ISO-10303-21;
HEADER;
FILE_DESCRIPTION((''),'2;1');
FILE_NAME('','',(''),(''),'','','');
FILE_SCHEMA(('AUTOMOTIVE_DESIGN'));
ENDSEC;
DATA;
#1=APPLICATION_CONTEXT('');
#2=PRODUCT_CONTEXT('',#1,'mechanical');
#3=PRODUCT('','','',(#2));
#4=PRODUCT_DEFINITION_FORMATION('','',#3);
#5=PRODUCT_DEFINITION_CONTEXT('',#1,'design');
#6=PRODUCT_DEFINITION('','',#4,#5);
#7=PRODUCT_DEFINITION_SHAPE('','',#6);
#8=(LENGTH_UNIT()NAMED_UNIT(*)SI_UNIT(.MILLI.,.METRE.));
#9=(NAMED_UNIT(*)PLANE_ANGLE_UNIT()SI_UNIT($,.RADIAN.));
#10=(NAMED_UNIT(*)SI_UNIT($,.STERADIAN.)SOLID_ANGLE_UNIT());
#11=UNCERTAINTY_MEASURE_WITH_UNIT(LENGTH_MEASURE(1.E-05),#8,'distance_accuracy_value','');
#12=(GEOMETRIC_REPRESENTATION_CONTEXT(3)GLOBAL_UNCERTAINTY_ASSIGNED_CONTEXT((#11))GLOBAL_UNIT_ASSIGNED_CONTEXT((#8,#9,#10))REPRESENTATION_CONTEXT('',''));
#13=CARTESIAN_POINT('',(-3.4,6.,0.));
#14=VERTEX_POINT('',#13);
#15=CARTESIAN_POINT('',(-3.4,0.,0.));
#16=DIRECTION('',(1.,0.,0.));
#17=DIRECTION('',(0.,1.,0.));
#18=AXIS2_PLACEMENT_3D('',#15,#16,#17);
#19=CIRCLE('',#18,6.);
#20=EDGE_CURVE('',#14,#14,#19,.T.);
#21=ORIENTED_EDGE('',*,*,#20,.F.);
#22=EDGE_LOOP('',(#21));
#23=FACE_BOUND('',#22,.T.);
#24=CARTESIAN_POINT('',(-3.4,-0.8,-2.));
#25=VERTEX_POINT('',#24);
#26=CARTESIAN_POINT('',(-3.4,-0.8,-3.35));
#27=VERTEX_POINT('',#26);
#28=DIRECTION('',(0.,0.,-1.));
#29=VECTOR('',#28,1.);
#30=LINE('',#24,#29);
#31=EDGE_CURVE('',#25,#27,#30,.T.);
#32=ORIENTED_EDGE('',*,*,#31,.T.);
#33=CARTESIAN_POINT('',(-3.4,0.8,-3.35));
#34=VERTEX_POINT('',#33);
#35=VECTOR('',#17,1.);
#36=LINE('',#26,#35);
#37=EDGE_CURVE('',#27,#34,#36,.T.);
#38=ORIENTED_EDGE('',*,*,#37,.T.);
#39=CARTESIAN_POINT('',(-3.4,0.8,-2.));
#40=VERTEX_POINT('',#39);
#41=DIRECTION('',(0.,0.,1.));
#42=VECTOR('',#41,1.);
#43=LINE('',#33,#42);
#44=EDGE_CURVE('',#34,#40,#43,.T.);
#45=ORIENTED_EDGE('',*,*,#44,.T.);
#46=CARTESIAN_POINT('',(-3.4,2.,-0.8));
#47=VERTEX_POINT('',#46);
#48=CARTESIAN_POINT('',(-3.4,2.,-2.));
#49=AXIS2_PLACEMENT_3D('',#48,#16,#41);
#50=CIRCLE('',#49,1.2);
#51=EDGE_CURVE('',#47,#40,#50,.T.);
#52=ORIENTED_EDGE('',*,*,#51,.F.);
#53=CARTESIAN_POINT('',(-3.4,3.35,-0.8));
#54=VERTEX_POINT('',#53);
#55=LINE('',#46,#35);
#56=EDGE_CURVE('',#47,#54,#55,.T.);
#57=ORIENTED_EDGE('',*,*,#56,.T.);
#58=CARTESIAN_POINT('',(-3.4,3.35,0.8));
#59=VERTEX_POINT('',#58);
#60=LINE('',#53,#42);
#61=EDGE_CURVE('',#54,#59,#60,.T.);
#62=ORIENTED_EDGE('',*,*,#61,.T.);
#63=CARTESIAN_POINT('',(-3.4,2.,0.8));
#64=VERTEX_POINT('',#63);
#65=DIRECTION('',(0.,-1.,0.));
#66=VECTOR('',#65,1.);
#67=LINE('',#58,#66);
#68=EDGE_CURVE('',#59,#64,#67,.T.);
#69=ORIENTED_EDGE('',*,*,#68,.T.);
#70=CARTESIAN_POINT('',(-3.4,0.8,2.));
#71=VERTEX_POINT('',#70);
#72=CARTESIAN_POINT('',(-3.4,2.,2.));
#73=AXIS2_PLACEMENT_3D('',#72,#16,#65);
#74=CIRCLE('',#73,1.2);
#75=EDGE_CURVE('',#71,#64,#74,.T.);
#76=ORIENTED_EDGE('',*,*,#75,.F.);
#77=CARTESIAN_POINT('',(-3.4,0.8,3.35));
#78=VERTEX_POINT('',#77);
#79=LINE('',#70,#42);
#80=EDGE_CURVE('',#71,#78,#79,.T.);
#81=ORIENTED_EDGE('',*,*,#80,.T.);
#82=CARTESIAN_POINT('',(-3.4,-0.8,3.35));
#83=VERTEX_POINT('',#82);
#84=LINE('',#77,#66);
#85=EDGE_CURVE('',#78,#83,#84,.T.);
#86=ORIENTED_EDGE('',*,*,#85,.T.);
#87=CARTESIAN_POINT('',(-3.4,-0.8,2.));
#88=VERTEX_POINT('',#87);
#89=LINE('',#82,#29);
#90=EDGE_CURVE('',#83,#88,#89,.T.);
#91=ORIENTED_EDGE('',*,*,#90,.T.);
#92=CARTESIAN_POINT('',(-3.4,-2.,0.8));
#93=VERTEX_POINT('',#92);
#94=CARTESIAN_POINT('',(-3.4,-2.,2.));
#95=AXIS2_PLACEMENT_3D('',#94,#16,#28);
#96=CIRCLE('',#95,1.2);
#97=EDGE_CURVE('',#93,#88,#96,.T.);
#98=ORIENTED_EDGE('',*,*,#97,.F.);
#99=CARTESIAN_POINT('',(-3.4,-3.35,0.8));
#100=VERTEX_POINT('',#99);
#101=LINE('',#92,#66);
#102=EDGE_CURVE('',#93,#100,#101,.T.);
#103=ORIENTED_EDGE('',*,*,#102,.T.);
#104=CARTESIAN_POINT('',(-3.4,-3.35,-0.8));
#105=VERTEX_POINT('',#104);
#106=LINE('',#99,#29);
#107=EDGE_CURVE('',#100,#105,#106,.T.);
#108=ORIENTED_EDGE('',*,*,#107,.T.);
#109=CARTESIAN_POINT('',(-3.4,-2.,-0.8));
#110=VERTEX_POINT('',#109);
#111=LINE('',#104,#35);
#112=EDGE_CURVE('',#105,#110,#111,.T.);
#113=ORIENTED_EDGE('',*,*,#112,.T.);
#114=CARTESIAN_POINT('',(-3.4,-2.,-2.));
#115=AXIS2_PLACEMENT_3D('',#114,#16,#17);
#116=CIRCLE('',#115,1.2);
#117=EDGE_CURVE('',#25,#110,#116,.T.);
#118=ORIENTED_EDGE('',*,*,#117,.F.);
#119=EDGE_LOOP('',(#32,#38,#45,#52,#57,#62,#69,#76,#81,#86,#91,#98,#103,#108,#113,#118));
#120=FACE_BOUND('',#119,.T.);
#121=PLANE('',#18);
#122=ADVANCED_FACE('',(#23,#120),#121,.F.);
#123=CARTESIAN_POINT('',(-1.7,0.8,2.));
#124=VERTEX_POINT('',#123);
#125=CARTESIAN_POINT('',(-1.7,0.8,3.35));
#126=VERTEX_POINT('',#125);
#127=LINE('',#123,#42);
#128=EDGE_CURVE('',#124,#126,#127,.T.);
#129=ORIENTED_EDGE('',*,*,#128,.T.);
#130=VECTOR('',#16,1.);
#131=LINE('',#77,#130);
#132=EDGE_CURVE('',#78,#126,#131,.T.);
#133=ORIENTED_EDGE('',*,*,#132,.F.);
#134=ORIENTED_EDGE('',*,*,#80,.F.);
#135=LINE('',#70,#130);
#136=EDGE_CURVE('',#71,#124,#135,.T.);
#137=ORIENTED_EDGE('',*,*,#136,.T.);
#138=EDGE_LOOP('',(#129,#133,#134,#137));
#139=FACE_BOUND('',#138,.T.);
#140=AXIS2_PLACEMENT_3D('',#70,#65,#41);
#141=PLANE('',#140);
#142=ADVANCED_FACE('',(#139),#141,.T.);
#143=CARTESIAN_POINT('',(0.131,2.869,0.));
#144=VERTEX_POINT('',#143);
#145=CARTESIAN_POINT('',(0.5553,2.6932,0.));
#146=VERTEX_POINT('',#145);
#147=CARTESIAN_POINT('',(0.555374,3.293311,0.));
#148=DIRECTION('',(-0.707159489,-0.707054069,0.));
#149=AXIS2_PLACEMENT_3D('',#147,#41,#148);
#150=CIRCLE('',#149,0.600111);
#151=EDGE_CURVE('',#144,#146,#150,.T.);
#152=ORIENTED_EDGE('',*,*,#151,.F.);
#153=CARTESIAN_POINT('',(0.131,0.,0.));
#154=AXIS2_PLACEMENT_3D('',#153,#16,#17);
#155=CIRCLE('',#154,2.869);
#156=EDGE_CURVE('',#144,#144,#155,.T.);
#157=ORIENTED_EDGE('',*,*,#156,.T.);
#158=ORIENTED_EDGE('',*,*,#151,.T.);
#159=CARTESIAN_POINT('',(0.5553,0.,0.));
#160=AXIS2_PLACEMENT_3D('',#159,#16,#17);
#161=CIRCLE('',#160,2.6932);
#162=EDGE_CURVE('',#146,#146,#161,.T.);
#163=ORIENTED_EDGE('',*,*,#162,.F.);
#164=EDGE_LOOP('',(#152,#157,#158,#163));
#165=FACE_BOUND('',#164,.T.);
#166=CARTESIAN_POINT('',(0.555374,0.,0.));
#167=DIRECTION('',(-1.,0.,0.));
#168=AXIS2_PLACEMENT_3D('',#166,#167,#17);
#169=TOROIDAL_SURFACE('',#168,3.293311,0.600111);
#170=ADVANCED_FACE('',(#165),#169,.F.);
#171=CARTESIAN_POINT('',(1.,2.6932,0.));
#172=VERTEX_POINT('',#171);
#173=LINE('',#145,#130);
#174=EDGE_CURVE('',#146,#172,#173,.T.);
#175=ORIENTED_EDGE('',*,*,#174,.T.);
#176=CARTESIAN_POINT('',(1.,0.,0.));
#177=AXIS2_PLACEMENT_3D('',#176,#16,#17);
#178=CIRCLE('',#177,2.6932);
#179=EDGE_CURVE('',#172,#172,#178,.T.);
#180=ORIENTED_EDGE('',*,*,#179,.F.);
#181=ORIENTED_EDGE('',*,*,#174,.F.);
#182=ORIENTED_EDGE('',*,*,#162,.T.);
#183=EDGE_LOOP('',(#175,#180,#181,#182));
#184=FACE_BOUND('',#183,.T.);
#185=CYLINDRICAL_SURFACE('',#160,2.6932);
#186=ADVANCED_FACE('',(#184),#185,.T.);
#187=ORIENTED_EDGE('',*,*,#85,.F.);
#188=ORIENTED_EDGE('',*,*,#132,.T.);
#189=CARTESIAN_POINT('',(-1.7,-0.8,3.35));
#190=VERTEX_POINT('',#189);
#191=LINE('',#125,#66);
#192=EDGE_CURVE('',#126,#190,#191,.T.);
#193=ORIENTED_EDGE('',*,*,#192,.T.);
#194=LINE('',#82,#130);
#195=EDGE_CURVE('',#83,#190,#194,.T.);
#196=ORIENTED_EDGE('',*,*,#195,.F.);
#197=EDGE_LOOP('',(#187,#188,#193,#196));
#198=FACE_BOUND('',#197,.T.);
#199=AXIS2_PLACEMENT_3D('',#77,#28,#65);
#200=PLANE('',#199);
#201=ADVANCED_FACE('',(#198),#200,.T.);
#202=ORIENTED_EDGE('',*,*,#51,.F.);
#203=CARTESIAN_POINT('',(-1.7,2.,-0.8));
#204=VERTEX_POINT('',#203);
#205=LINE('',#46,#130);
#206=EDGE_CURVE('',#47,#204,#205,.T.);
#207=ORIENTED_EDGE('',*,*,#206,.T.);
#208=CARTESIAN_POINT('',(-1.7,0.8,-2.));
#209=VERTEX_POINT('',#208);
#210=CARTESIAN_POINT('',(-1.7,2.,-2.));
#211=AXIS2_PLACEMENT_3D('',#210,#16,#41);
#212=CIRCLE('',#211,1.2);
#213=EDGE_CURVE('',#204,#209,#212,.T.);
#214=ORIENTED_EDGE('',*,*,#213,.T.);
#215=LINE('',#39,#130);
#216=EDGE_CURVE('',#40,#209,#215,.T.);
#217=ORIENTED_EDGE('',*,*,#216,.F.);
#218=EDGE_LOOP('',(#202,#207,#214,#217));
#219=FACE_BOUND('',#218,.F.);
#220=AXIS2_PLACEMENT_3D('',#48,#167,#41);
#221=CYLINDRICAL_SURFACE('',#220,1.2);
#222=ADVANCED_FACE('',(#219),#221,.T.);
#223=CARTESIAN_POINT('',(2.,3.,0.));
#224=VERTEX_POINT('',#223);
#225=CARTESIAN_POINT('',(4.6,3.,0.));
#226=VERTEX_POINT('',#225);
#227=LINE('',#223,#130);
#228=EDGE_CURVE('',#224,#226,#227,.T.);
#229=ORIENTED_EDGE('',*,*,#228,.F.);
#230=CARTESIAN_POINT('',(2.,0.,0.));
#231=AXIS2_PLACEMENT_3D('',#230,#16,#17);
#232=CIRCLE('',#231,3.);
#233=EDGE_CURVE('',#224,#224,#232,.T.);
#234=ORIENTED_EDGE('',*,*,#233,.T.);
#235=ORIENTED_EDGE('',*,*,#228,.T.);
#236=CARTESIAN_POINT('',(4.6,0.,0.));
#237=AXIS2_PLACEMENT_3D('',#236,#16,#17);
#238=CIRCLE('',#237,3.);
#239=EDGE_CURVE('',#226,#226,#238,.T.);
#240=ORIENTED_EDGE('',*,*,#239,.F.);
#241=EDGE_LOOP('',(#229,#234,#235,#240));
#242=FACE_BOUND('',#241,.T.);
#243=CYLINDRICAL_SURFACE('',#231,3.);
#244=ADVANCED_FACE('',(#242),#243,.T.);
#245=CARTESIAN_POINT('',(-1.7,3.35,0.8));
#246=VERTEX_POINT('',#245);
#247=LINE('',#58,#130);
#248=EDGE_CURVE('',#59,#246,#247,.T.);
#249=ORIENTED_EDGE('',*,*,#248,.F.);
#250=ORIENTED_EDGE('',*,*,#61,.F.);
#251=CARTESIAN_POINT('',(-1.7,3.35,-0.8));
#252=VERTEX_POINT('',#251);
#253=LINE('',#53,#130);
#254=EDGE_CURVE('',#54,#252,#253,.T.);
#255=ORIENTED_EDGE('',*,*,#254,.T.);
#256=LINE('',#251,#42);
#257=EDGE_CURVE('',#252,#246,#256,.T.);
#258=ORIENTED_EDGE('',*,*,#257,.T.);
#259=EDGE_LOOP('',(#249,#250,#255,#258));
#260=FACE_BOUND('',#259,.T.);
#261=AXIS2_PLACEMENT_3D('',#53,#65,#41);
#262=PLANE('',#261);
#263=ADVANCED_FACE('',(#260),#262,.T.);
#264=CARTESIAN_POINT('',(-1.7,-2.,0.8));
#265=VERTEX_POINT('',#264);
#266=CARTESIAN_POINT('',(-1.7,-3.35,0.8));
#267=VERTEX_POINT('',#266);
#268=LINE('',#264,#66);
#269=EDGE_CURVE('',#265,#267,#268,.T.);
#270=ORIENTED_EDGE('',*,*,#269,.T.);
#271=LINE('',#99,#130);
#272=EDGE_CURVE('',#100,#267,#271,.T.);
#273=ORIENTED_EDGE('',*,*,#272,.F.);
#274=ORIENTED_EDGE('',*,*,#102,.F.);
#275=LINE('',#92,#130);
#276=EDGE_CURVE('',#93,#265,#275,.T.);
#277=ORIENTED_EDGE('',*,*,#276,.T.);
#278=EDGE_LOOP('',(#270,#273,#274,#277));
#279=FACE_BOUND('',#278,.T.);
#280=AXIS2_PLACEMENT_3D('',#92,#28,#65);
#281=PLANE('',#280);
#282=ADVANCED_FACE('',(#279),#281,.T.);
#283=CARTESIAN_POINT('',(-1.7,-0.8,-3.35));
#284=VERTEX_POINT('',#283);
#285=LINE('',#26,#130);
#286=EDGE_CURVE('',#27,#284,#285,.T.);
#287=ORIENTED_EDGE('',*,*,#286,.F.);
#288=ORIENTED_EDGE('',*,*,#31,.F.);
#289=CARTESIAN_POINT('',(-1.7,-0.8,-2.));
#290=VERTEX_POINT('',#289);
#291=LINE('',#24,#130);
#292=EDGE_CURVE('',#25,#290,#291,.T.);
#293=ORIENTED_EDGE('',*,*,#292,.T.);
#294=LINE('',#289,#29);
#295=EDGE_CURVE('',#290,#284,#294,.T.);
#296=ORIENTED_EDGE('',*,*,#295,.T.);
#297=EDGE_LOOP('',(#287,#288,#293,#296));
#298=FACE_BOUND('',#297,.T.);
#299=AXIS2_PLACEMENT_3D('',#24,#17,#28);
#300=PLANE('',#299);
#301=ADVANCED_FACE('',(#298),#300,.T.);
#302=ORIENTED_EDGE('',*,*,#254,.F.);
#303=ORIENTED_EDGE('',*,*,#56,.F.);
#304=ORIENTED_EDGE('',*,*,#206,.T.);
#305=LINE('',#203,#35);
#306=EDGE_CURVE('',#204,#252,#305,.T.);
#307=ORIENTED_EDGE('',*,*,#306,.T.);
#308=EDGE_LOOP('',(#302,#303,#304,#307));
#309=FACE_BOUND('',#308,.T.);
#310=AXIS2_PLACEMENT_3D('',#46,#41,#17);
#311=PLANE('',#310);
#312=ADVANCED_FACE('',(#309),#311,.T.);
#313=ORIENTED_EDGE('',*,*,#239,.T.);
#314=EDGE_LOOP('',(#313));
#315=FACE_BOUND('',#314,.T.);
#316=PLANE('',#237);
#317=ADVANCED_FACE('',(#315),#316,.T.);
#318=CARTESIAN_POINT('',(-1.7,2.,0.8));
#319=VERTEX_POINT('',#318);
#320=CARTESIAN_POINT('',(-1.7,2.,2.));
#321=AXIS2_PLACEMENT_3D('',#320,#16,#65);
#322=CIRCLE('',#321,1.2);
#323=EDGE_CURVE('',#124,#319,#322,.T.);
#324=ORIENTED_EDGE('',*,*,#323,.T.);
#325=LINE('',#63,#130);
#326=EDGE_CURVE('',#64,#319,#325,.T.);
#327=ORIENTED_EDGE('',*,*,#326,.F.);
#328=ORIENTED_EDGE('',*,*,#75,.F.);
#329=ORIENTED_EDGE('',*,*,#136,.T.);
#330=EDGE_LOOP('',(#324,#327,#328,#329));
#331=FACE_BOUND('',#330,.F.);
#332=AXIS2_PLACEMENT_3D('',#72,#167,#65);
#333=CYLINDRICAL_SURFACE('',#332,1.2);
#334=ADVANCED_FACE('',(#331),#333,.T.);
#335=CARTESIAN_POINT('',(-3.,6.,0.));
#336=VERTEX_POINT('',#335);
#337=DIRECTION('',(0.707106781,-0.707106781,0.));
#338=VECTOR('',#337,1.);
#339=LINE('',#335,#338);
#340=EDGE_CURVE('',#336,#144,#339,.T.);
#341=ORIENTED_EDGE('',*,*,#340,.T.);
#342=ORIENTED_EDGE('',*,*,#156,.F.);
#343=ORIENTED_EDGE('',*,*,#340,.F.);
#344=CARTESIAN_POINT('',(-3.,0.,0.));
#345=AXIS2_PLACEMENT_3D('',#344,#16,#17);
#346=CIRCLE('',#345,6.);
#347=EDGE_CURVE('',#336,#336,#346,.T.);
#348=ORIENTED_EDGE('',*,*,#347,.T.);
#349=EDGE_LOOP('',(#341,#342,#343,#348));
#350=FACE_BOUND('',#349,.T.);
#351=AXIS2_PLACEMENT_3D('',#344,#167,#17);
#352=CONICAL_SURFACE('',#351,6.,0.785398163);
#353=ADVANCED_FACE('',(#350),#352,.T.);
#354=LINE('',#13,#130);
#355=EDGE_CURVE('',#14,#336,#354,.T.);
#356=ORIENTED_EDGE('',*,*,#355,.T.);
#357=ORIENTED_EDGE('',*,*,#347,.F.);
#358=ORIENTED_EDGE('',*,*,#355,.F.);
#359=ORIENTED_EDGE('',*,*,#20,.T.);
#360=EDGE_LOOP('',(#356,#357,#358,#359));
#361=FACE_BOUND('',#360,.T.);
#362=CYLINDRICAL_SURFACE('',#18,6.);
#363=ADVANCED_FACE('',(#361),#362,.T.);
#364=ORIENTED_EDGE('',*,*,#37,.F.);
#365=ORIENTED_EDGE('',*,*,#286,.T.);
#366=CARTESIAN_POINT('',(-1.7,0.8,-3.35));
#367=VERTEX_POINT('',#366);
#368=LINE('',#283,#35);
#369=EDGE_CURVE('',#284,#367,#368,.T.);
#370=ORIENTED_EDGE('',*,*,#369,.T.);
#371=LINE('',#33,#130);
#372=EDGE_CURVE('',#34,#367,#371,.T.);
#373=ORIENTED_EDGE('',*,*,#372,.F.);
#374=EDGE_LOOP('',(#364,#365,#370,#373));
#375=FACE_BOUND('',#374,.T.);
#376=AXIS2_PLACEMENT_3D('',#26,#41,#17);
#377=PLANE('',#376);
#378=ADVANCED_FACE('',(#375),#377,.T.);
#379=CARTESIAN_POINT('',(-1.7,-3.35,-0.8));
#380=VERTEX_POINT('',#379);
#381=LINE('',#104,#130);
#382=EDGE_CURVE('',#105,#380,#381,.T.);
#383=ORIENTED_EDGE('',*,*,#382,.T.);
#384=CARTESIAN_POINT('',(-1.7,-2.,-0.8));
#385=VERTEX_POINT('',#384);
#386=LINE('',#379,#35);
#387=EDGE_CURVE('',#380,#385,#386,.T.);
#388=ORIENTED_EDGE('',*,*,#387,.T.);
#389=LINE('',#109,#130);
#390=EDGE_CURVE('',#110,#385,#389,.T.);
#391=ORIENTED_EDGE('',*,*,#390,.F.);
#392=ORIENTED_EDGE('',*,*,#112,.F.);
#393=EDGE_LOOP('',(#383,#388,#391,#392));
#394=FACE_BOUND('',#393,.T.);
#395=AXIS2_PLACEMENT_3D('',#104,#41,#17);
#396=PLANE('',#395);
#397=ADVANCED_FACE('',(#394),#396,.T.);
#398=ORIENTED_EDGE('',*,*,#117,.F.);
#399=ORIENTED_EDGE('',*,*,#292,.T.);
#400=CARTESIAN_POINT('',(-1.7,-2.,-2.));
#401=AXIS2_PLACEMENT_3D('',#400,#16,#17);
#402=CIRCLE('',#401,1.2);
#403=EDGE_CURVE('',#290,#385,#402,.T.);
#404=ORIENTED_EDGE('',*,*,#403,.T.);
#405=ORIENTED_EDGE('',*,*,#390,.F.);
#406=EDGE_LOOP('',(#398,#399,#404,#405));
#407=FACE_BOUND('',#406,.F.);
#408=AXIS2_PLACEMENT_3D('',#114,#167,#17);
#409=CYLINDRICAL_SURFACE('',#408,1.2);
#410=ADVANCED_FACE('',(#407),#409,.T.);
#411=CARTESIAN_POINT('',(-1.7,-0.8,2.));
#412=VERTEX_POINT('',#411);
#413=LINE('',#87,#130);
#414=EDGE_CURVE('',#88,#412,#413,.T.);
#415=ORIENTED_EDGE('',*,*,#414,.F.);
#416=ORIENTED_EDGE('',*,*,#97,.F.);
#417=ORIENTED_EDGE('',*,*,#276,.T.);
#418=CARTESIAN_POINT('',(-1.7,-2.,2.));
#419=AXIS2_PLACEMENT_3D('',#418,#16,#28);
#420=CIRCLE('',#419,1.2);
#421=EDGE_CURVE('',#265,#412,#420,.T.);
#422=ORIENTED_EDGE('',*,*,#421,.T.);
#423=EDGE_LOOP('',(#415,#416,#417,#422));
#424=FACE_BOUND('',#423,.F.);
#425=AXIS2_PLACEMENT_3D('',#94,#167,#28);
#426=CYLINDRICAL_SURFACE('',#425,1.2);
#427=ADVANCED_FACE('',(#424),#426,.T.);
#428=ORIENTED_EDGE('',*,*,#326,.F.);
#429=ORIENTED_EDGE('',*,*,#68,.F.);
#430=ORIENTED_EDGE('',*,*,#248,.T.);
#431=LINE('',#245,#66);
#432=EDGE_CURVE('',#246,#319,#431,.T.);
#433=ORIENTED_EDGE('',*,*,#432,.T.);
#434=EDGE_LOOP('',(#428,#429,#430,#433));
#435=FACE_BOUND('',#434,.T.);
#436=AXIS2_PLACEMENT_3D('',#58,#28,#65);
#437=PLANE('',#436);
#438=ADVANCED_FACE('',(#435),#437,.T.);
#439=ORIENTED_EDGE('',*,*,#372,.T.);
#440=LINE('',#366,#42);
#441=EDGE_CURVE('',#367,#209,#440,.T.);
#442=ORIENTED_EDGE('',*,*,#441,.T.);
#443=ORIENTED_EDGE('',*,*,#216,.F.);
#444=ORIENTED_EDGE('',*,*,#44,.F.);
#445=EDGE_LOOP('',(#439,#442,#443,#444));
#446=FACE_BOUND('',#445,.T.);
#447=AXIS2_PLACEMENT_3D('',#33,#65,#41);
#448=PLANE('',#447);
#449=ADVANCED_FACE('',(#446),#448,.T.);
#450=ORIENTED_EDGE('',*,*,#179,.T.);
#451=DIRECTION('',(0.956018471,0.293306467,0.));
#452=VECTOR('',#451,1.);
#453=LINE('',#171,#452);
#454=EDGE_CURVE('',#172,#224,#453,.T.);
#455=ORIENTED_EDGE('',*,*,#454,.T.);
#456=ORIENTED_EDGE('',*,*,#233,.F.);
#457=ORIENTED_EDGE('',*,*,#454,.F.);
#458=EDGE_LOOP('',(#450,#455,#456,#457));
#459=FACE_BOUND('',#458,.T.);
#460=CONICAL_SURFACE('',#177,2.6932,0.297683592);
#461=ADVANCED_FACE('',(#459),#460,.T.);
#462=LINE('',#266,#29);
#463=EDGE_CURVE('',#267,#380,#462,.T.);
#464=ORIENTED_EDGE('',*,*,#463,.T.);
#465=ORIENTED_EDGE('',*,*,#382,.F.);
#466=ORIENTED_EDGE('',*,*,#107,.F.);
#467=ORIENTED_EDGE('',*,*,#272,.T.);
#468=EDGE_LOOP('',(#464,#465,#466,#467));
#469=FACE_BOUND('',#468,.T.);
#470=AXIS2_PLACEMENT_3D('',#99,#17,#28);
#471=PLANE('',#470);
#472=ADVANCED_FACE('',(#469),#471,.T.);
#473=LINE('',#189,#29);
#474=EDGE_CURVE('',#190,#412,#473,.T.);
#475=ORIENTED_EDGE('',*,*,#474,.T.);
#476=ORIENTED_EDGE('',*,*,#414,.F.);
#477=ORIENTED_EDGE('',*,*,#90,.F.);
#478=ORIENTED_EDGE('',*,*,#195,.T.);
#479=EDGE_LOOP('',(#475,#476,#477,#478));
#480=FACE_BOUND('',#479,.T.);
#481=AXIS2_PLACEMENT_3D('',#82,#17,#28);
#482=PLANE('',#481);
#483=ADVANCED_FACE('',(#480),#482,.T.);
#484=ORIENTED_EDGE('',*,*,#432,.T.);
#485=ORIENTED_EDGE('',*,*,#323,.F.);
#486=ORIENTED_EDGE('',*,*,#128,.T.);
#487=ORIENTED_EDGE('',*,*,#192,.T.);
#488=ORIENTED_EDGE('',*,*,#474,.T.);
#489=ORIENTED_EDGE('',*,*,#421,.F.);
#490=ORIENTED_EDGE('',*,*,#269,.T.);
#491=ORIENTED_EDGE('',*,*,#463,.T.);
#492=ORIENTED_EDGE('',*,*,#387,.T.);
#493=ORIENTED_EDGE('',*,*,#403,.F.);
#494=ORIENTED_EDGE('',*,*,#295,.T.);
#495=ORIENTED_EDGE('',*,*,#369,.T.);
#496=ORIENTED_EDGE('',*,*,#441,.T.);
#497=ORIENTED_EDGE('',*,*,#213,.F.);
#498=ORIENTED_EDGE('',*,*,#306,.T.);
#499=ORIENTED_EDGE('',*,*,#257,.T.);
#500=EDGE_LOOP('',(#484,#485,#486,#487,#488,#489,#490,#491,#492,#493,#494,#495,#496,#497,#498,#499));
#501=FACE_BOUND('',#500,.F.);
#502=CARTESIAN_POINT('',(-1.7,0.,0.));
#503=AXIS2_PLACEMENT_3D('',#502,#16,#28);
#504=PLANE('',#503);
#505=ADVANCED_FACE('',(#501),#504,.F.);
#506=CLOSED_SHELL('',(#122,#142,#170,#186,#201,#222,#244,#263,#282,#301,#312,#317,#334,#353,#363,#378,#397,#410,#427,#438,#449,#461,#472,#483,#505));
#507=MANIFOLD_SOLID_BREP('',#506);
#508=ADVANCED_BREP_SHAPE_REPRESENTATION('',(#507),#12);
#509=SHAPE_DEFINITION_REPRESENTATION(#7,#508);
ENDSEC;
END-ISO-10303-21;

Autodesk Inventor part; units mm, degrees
sketch "Sketch_1" plane through (0, 0, 0) normal (0, 0, 1) x (1, 0, 0)
  line L0 (4.6, 0) -> (-3.4, 0)
  line L1 (-3.4, 0) -> (-3.4, 6)
  line L2 (-3.4, 6) -> (-3, 6)
  line L3 (-3, 6) -> (0.131, 2.869)
  arc A0 (0.131, 2.869) -> (0.5553, 2.6932) centre (0.5553, 3.2932) ccw
  line L4 (0.5553, 2.6932) -> (1, 2.6932)
  line L5 (1, 2.6932) -> (2, 3)
  line L6 (2, 3) -> (4.6, 3)
  line L7 (4.6, 3) -> (4.6, 0)
  line L8 (4.6, 0) -> (-3.4, 0)
revolve "Revolution1" add sketch "Sketch_1" angle 360 about axis through (4.6, 0, 0) along (1, 0, 0)
thread "Thread1" size "M6x1" class "6g" standard "ISO Metric profile" full length
sketch "Sketch_2" plane through (-3.4, 0, 0) normal (1, 0, 0) x (0, 0, -1)
  line L0 (-3.35, -0.8) -> (-2, -0.8)
  arc A0 (-0.8, -2) -> (-2, -0.8) centre (-2, -2) ccw
  line L1 (-0.8, -2) -> (-0.8, -3.35)
  line L2 (-0.8, -3.35) -> (0.8, -3.35)
  line L3 (0.8, -3.35) -> (0.8, -2)
  arc A1 (2, -0.8) -> (0.8, -2) centre (2, -2) ccw
  line L4 (2, -0.8) -> (3.35, -0.8)
  line L5 (3.35, -0.8) -> (3.35, 0.8)
  line L6 (3.35, 0.8) -> (2, 0.8)
  arc A2 (0.8, 2) -> (2, 0.8) centre (2, 2) ccw
  line L7 (0.8, 2) -> (0.8, 3.35)
  line L8 (0.8, 3.35) -> (-0.8, 3.35)
  line L9 (-0.8, 3.35) -> (-0.8, 2)
  arc A3 (-2, 0.8) -> (-0.8, 2) centre (-2, 2) ccw
  line L10 (-2, 0.8) -> (-3.35, 0.8)
  line L11 (-3.35, 0.8) -> (-3.35, -0.8)
extrude "Extrusion1" cut sketch "Sketch_2" along normal blind 1.7
ref_plane "bolt_XY" through (-3.4, 0, 0) normal (1, 0, 0) x (0, 0, -1)
ref_plane "bolt_YZ" through (-3.4, 0, 0) normal (0, 0, -1) x (0, 1, 0)
ref_plane "bolt_ZX" through (-3.4, 0, 0) normal (0, 1, 0) x (1, 0, 0)
ref_plane "nut_XY" through (4.6, 0, 0) normal (1, 0, 0) x (0, 0, -1)
ref_plane "nut_YZ" through (4.6, 0, 0) normal (0, 0, -1) x (0, 1, 0)
ref_plane "nut_ZX" through (4.6, 0, 0) normal (0, 1, 0) x (1, 0, 0)
properties part number "SFBJ6-8"
